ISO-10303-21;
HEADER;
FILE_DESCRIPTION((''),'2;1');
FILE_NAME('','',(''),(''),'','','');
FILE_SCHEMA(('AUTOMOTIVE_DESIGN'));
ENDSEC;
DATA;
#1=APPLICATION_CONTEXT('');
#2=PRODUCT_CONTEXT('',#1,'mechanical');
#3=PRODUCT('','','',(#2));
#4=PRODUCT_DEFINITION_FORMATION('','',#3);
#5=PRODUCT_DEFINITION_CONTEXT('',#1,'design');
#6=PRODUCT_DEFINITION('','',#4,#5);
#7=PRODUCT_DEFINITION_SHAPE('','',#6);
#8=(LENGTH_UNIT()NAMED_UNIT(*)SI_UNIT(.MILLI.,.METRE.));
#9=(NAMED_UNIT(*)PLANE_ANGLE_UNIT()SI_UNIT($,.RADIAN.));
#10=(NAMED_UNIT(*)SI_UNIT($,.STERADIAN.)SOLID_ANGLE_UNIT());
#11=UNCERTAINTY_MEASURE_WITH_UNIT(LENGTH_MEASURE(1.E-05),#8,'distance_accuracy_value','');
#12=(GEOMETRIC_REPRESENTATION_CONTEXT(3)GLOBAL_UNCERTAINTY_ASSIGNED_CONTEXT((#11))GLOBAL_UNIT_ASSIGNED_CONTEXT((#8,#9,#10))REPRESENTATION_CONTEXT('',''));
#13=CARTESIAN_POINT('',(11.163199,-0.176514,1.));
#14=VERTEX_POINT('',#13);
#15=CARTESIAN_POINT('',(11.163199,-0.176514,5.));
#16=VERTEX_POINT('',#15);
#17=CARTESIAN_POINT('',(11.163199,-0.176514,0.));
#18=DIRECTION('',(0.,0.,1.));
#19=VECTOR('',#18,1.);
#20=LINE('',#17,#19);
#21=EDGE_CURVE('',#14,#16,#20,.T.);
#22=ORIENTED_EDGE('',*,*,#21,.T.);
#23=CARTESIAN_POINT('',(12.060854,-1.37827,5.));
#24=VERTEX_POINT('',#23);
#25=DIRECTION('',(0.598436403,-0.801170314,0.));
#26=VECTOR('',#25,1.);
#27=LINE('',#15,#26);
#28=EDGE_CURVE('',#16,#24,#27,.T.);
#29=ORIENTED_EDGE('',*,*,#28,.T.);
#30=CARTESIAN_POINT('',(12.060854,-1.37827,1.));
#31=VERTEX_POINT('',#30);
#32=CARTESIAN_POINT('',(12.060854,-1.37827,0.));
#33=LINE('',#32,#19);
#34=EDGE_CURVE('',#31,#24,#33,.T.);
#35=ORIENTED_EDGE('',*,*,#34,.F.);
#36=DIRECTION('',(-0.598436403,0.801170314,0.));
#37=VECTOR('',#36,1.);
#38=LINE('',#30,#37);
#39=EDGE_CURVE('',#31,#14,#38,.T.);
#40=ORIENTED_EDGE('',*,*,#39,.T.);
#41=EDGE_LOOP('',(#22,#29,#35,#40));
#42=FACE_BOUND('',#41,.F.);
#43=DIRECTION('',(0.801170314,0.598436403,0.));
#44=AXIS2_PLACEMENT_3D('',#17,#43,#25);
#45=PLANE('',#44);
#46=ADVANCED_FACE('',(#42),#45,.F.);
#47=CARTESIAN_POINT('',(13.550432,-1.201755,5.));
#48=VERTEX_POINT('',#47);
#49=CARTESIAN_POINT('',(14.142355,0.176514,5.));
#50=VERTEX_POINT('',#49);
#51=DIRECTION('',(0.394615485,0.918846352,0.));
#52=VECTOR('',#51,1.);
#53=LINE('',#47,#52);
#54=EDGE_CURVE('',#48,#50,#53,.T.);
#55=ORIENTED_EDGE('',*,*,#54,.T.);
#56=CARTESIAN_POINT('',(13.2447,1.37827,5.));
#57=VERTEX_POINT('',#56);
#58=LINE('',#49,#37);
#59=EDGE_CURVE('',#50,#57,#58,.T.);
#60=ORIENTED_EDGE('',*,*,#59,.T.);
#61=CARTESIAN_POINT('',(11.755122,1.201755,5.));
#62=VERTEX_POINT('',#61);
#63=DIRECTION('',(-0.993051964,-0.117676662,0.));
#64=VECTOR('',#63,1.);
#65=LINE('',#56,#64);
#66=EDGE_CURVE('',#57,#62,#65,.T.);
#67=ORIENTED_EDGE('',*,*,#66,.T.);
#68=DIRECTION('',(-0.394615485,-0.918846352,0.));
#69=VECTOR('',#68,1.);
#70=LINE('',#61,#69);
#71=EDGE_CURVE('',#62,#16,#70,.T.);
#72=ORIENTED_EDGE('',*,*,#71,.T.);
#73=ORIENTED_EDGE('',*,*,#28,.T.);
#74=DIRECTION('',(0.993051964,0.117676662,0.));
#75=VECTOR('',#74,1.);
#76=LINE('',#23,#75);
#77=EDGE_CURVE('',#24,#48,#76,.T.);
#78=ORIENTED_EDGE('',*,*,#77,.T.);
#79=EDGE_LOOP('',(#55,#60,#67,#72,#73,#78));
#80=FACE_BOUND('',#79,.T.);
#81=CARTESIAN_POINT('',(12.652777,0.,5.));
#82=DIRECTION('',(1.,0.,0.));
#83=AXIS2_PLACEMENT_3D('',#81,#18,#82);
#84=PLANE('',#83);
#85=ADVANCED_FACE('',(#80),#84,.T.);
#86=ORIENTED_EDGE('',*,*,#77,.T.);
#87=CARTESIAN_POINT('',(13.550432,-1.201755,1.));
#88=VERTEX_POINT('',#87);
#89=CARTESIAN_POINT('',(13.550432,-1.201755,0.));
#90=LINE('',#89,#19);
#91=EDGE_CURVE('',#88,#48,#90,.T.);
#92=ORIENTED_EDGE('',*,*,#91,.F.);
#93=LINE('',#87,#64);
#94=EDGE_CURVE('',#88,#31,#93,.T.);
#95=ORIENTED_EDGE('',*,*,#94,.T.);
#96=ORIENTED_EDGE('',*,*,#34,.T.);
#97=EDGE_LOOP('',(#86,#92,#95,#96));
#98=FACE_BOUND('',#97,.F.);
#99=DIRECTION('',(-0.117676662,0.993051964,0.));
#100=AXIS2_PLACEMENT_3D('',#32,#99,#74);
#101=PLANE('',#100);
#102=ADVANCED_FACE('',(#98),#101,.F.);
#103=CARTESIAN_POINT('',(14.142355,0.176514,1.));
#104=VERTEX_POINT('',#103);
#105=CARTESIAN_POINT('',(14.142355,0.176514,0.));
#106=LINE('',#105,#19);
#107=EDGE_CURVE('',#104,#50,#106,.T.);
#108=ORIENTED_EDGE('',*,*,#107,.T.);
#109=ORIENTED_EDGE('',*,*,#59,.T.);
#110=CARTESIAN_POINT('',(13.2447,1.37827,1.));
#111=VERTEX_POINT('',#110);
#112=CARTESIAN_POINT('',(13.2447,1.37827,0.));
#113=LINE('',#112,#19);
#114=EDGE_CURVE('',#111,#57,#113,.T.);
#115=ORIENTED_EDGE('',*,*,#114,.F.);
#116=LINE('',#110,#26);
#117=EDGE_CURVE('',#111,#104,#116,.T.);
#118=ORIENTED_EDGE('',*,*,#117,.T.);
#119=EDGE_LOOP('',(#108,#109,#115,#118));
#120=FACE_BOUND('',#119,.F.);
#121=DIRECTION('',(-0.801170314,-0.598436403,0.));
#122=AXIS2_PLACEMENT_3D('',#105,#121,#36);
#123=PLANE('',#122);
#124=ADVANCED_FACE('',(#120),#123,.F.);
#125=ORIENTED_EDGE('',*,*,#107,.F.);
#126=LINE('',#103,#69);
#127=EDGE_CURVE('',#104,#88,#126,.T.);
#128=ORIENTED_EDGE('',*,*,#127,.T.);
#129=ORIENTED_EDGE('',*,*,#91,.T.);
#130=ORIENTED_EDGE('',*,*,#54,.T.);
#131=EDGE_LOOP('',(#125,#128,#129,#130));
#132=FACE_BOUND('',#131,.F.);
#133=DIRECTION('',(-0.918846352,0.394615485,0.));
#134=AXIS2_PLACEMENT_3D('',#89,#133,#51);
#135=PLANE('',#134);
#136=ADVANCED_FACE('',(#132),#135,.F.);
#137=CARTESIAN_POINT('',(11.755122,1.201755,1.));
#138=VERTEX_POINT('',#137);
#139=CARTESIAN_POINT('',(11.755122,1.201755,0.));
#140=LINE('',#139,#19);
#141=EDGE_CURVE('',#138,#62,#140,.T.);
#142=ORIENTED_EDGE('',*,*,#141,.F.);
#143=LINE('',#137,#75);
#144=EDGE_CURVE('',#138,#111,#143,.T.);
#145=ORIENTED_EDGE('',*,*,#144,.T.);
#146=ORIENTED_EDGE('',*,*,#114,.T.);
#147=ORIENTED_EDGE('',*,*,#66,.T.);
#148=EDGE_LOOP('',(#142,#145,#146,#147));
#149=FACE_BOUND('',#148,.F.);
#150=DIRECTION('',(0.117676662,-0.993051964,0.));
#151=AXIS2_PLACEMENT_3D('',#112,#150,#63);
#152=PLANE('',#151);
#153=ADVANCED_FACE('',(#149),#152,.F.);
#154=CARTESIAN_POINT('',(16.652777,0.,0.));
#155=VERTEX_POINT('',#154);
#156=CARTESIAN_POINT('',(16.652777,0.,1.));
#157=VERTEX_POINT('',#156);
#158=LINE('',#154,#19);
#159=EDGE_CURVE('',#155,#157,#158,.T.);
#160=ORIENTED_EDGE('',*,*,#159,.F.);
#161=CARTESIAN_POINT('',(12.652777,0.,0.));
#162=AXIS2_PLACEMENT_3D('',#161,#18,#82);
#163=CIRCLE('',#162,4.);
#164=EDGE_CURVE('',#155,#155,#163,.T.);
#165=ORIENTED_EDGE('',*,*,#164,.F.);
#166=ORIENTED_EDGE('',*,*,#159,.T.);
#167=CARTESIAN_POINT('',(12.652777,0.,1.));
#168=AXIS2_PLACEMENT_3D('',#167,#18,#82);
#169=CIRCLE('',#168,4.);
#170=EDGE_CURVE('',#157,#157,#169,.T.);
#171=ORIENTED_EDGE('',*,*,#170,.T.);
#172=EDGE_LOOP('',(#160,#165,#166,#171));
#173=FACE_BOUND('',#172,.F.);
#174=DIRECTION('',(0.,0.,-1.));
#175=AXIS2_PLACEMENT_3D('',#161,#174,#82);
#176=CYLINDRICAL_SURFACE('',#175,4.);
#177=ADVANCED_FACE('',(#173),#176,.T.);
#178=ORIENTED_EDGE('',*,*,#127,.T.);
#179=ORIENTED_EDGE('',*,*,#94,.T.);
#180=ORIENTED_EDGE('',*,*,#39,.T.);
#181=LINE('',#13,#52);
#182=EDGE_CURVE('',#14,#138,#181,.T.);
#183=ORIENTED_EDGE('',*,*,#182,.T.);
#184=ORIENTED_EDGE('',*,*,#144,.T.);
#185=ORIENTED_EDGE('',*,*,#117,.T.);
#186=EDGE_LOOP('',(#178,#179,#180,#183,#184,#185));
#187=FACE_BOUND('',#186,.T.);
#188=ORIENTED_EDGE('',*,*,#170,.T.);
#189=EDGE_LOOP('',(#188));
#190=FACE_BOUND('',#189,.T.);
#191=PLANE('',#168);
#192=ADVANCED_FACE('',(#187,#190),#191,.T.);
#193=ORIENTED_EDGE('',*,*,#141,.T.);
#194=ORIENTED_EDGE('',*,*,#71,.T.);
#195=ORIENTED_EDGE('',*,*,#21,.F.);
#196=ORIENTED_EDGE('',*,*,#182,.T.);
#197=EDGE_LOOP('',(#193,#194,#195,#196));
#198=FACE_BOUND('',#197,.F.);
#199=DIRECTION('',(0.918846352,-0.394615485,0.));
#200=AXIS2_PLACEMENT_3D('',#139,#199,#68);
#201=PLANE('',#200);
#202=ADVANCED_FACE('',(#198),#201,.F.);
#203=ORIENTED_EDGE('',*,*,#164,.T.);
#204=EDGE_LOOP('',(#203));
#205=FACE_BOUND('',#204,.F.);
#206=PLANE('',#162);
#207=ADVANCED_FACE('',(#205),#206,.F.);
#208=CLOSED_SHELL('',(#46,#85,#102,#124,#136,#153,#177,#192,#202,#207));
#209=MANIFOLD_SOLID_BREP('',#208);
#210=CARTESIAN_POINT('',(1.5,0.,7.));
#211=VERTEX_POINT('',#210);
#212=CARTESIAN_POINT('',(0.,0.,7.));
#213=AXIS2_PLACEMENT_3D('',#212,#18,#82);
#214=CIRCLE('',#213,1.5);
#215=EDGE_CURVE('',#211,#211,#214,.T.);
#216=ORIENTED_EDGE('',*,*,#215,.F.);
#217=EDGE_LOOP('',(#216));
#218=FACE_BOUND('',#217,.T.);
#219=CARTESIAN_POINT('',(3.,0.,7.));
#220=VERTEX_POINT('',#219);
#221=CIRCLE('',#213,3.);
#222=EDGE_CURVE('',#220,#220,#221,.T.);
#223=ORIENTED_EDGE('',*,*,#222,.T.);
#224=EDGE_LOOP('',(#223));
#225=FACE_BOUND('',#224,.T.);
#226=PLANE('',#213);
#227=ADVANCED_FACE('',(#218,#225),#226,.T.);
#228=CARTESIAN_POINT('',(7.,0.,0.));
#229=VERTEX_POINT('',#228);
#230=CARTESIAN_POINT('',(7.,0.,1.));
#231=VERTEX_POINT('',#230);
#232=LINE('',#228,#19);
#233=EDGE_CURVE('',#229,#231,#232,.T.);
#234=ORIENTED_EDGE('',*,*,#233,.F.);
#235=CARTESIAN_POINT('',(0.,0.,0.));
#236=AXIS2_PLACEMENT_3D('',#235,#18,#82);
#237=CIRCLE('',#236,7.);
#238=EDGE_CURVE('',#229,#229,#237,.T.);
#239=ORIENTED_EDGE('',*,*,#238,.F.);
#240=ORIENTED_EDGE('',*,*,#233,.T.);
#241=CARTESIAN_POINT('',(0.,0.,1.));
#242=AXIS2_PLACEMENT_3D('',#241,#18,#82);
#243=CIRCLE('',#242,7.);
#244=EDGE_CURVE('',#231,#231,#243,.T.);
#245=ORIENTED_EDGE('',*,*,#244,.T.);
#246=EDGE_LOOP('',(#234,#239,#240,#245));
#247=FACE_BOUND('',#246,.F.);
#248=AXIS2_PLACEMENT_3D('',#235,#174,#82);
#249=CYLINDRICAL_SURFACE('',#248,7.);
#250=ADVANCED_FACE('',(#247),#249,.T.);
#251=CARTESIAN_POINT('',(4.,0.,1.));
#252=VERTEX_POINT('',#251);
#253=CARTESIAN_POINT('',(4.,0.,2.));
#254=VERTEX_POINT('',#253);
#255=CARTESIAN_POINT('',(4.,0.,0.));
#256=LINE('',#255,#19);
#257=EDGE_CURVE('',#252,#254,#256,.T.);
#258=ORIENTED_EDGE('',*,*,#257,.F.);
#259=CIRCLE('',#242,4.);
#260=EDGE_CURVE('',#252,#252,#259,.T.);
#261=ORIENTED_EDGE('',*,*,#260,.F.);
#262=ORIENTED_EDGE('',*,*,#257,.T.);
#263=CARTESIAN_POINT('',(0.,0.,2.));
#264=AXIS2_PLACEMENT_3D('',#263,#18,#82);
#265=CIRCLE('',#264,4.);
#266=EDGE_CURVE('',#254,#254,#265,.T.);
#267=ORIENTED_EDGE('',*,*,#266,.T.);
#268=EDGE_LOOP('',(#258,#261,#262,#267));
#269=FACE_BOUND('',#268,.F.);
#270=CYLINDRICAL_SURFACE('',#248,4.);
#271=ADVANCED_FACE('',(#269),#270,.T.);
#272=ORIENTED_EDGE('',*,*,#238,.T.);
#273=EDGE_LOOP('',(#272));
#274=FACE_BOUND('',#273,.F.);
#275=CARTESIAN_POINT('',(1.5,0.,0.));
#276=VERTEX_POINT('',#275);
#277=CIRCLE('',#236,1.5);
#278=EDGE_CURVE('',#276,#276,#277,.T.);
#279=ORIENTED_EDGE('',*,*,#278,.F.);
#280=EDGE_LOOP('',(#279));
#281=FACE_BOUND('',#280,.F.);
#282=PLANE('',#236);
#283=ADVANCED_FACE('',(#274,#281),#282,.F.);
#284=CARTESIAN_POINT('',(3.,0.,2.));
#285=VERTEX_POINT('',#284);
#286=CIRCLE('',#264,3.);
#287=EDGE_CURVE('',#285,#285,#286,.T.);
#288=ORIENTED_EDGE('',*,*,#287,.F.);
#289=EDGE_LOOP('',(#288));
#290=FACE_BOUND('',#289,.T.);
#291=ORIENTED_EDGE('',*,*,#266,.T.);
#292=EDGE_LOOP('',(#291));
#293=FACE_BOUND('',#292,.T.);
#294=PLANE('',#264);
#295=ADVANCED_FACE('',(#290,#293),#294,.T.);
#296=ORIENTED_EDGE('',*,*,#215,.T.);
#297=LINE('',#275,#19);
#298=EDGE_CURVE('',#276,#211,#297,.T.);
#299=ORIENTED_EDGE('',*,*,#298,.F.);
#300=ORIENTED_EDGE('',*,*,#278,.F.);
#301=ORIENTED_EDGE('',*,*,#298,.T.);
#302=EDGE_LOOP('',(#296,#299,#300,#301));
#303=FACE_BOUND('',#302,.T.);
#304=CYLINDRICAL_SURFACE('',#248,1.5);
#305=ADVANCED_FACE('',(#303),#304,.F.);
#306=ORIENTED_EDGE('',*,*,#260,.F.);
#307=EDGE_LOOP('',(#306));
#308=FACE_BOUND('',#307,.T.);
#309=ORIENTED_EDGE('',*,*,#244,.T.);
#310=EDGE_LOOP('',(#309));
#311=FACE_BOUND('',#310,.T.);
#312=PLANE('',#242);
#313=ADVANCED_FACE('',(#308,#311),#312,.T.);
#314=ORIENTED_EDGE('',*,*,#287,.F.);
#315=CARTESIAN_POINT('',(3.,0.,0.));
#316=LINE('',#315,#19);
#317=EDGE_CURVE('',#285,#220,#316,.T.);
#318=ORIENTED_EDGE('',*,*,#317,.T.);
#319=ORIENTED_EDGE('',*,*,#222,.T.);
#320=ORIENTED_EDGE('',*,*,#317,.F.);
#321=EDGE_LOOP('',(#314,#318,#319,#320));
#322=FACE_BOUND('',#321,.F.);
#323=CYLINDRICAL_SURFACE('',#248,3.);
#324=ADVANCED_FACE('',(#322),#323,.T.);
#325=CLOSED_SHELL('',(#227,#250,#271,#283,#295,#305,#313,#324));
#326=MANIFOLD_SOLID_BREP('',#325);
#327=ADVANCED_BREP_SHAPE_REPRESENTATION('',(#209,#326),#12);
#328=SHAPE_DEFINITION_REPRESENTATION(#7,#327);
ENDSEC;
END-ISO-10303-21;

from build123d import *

# Parameters (mm, degrees)
F0_R     = 7
F0_R_2   = 4
F1_DEPTH = 1
F0_R_3   = 3
F2_DEPTH = 2
F0_R_4   = 1.5
F3_DEPTH = 7
F4_R     = 4
F5_DEPTH = 1
F6_DEPTH = 5


with BuildPart() as f1:
    # F0 (on Top) → F1 (new body)
    with BuildSketch(Plane.XY):
        Circle(F0_R)
        Circle(F0_R_2, mode=Mode.SUBTRACT)
    extrude(amount=F1_DEPTH)

    # F0 (on Top) → F2 (join)
    with BuildSketch(Plane.XY):
        Circle(F0_R_2)
        Circle(F0_R_3, mode=Mode.SUBTRACT)
    extrude(amount=F2_DEPTH)

    # F0 (on Top) → F3 (join)
    with BuildSketch(Plane.XY):
        Circle(F0_R_3)
        Circle(F0_R_4, mode=Mode.SUBTRACT)
    extrude(amount=F3_DEPTH)


with BuildPart() as f5:
    # F4 (on Top) → F5 (new body)
    with BuildSketch(Plane.XY):
        with Locations((12.652777, 0)):
            Circle(F4_R)
        Polygon((14.142355, 0.176514), (13.550432, -1.201755), (12.060854, -1.37827), (11.163199, -0.176514), (11.755122, 1.201755), (13.2447, 1.37827), align=None, mode=Mode.SUBTRACT)
    extrude(amount=F5_DEPTH)

    # F4 (on Top) → F6 (join)
    with BuildSketch(Plane.XY):
        Polygon((12.060854, -1.37827), (13.550432, -1.201755), (14.142355, 0.176514), (13.2447, 1.37827), (11.755122, 1.201755), (11.163199, -0.176514), align=None)
    extrude(amount=F6_DEPTH)


solid = Compound([f1.part, f5.part])
